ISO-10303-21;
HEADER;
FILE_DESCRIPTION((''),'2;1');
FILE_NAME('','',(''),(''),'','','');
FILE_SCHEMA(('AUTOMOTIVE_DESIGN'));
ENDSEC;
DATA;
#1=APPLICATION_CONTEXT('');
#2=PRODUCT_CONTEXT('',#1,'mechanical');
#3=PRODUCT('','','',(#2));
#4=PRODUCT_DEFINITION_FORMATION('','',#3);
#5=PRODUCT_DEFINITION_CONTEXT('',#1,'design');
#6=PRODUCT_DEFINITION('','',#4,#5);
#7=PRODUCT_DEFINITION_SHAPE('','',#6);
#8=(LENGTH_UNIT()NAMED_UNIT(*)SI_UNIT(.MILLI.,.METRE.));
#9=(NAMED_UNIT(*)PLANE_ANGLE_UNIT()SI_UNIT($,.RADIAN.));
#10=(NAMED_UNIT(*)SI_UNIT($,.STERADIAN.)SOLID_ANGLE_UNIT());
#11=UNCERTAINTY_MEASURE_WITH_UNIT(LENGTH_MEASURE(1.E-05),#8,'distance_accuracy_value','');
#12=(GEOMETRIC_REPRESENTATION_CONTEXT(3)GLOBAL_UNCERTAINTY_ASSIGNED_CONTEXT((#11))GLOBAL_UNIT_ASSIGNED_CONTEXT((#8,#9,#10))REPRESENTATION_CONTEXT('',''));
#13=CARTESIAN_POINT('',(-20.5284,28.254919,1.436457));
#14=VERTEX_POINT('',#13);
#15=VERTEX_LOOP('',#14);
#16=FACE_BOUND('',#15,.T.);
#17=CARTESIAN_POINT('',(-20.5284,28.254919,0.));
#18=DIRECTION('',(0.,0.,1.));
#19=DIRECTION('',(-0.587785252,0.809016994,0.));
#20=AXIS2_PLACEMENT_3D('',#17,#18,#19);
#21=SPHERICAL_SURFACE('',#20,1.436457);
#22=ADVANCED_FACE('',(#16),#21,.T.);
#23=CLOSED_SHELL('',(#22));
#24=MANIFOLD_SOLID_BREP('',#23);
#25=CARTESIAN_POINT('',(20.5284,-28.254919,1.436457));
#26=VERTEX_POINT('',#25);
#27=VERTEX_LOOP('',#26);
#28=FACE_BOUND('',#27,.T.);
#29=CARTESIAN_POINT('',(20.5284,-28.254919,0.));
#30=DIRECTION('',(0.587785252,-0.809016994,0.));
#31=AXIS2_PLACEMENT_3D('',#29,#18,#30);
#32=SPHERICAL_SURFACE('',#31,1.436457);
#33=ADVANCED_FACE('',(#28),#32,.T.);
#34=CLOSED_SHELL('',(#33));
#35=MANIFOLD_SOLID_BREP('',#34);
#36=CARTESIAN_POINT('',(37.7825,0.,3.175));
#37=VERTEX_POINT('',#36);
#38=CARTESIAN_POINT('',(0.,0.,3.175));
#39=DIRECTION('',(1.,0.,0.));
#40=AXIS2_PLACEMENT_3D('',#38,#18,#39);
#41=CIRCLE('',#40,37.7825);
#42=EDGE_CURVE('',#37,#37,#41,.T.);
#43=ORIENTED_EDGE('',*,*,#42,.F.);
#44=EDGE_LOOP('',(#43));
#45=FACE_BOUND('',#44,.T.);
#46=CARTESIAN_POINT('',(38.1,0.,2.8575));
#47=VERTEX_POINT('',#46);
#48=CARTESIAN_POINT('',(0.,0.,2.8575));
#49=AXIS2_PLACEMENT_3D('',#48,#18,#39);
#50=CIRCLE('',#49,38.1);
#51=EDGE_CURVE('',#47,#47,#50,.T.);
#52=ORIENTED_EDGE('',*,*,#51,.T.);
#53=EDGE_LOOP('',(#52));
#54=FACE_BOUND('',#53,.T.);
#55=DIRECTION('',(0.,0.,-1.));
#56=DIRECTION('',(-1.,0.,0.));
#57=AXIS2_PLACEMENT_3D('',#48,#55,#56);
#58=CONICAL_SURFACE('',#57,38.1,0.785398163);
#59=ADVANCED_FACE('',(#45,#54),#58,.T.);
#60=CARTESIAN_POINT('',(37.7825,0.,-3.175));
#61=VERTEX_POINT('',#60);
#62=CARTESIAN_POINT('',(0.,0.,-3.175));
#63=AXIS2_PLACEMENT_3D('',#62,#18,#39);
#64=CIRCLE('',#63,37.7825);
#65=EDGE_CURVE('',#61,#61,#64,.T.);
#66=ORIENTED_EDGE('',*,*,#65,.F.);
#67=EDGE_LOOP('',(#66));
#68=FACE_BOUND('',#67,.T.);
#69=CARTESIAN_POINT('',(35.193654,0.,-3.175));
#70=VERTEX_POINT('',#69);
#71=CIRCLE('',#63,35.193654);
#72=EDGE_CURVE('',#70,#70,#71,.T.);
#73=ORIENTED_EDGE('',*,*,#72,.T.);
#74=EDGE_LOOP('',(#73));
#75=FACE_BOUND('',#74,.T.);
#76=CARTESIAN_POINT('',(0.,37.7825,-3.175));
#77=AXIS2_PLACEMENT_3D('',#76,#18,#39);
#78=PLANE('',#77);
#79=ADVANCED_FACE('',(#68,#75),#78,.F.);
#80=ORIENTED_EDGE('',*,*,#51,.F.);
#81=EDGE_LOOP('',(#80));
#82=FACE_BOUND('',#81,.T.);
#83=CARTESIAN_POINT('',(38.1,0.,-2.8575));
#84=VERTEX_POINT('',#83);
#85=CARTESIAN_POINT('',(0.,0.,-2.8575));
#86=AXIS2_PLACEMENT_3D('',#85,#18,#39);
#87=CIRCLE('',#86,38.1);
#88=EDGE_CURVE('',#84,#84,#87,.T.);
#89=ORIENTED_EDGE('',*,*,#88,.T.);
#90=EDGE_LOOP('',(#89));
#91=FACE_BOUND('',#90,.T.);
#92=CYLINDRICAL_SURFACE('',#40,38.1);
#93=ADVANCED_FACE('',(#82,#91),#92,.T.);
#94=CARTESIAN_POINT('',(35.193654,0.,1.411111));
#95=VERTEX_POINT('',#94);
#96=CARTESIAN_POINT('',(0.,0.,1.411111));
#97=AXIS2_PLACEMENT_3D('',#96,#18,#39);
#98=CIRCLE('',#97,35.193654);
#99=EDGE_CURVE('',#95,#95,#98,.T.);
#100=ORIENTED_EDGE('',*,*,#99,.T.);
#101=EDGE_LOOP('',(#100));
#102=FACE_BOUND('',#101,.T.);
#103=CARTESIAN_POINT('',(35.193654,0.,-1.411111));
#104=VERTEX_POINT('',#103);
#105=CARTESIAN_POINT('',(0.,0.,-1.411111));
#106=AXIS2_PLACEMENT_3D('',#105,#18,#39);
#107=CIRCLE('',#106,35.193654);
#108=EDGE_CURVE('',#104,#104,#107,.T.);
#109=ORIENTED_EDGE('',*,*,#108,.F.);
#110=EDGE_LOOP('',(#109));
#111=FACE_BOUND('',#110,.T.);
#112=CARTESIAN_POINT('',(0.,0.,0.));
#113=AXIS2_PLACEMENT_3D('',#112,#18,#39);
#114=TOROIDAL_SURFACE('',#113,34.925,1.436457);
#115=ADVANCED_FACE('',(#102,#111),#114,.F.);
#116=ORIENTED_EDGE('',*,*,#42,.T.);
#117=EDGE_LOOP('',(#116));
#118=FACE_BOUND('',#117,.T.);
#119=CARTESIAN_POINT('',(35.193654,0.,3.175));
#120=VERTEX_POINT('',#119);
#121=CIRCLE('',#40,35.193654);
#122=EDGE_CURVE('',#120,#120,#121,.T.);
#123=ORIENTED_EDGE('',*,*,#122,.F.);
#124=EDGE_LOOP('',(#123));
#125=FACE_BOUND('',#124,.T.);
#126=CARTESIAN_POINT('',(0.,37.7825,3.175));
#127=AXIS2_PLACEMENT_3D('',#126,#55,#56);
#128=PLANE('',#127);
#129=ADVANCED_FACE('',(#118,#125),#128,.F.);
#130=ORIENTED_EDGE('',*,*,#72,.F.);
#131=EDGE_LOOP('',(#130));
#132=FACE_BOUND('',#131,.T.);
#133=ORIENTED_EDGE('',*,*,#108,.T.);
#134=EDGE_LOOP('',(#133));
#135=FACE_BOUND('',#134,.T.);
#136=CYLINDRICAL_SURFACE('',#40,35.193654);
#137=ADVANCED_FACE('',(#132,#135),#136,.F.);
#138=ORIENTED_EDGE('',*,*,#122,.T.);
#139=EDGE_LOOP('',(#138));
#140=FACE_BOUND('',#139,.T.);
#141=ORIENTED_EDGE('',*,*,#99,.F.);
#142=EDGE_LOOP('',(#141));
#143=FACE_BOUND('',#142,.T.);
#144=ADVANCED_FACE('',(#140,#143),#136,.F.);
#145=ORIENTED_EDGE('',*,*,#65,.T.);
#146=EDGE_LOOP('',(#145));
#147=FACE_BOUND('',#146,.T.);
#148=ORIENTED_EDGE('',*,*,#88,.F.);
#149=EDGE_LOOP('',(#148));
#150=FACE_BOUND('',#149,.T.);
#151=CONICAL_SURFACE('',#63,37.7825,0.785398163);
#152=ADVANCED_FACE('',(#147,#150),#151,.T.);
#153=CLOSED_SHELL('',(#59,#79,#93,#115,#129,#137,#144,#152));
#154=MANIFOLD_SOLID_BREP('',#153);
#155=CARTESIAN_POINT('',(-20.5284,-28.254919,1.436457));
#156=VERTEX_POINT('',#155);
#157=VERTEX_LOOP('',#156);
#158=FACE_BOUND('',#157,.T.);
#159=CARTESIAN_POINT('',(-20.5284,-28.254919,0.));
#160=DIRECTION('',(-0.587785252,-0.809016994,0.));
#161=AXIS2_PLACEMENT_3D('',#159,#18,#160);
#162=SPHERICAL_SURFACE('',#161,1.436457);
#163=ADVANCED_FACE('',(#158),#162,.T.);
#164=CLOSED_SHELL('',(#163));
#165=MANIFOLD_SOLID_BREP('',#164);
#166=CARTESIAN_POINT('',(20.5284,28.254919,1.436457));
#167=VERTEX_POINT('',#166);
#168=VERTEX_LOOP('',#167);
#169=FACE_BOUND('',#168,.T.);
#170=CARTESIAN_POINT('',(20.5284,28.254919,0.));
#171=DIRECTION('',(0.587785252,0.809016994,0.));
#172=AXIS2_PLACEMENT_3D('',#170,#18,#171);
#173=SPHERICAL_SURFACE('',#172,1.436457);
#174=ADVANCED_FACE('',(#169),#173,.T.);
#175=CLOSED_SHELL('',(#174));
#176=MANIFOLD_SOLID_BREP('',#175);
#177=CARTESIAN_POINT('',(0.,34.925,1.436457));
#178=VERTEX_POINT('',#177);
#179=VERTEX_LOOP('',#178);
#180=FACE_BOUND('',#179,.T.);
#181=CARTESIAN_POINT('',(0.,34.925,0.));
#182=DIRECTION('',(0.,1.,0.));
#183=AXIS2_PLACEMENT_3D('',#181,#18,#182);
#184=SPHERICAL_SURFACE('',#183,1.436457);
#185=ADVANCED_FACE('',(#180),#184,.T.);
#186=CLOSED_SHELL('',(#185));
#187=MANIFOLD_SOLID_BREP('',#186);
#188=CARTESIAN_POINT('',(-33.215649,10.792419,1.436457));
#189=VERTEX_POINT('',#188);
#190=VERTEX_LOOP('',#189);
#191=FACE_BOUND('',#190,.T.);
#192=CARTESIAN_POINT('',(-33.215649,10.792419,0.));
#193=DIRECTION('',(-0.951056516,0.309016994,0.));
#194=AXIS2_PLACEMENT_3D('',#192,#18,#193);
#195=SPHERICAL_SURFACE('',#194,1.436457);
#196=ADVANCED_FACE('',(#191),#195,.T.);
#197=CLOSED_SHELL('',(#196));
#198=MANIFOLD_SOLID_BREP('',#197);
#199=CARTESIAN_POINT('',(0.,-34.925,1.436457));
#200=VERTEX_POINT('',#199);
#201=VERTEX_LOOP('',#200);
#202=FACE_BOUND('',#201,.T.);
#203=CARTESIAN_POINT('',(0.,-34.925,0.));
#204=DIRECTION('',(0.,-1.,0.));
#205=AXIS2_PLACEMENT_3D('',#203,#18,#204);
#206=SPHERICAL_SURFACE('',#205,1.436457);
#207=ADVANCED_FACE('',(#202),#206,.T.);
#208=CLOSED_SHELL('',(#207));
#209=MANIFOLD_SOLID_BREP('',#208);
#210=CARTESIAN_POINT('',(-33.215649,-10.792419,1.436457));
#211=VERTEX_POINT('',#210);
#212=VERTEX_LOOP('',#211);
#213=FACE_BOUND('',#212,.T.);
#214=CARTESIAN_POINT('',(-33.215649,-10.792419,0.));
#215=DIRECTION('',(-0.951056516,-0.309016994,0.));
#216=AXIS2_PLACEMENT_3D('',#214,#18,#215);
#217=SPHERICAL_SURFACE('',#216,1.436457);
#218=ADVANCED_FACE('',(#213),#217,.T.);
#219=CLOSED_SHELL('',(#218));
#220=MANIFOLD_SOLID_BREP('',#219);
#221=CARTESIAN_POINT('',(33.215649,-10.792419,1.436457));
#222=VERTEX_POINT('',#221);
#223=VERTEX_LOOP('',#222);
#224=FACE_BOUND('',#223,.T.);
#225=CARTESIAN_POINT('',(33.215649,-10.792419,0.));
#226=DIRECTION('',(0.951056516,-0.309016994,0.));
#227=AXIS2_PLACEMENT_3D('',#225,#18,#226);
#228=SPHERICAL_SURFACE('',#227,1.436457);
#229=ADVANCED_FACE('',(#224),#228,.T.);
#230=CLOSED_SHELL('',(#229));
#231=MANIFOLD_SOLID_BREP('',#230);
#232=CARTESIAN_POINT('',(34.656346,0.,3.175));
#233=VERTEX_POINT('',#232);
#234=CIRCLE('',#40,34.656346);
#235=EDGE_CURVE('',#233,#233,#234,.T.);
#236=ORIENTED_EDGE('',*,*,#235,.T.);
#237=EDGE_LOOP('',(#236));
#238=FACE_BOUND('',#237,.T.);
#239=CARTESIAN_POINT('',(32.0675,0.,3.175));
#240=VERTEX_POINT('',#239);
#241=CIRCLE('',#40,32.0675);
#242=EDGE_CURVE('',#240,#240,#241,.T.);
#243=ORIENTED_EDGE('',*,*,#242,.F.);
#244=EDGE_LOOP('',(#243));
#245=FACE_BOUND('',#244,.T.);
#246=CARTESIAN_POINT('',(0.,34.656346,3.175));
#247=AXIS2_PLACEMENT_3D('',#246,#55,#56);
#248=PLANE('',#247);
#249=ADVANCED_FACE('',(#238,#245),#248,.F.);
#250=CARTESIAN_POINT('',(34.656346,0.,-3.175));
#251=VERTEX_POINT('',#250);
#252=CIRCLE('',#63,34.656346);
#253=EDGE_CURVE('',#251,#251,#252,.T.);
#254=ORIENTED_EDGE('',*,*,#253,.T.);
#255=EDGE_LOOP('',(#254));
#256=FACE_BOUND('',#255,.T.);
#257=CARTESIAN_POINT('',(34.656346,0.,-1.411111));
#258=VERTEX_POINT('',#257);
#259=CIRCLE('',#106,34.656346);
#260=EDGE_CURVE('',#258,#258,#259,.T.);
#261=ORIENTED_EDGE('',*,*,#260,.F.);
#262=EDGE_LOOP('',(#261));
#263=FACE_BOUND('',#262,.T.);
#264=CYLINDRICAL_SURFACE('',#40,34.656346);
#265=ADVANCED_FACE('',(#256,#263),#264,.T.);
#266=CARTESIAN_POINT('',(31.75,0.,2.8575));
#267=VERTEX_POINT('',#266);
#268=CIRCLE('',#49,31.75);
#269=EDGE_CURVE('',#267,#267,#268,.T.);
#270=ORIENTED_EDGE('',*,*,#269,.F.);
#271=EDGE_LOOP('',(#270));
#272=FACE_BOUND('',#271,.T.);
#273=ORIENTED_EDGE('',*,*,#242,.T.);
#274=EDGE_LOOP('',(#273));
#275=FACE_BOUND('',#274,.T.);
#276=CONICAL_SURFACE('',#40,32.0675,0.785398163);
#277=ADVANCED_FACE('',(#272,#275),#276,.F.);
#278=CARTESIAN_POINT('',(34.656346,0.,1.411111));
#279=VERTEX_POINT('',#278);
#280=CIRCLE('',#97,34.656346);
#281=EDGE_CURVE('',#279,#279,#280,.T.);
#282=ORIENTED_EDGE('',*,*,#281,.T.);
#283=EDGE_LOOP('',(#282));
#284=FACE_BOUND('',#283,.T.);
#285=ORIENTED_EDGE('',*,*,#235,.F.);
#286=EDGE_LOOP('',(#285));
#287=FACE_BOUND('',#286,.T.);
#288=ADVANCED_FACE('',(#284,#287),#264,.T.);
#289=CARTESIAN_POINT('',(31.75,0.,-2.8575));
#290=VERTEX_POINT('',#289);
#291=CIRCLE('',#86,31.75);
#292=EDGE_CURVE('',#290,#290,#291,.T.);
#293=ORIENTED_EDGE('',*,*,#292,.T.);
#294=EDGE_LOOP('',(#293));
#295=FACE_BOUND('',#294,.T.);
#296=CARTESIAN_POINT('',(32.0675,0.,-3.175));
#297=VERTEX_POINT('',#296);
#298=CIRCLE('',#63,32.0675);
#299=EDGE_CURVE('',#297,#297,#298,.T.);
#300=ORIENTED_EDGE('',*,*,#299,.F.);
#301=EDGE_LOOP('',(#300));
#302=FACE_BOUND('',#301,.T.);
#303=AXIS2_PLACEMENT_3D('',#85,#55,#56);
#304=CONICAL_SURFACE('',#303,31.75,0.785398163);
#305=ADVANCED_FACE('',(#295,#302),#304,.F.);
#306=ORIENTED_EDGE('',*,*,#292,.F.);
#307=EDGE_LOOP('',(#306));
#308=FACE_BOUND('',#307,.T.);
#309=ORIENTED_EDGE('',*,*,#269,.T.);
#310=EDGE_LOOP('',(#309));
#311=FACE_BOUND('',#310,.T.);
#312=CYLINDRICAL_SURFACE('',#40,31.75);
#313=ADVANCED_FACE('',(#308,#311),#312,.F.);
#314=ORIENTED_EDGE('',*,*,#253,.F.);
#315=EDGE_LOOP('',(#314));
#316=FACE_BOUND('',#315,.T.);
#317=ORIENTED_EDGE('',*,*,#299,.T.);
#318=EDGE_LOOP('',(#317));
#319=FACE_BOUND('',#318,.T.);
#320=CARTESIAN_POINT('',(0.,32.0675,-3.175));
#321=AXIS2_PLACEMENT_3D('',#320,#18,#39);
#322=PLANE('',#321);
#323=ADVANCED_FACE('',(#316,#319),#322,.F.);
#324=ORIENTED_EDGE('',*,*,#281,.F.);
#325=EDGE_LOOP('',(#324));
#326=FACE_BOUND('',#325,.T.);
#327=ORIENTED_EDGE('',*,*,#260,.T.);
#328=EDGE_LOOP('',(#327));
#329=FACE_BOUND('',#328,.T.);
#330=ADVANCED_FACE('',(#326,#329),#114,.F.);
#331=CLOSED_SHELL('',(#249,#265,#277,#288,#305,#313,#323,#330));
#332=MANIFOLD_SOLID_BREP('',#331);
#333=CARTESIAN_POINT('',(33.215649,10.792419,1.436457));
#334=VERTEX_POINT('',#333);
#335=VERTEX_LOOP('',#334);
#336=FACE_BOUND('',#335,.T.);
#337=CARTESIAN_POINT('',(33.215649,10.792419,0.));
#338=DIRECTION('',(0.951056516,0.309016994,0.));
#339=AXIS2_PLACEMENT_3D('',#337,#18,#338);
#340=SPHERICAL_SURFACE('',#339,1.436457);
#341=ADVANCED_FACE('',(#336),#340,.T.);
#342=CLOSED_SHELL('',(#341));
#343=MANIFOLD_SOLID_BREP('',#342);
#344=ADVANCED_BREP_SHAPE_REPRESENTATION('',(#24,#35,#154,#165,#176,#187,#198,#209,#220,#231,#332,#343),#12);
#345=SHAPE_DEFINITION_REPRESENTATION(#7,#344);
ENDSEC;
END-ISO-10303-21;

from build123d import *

# Parameters (mm, degrees)
CIRPATTERN1_COUNT = 10


with BuildPart() as part:
    # Sketch1 → Revolve1 (revolve)
    with BuildSketch(Plane(origin=(0, 0, 0), x_dir=(0, 0, -1), z_dir=(1, 0, 0))):
        with BuildLine():
            Line((2.8575, 38.1), (-2.8575, 38.1))
            Line((-2.8575, 38.1), (-3.175, 37.7825))
            Line((-3.175, 37.7825), (-3.175, 35.193653846))
            Line((-3.175, 35.193653846), (-1.411111111, 35.193653846))
            ThreePointArc((-1.411111111, 35.193653846), (0, 36.361457259), (1.411111111, 35.193653846))
            Line((1.411111111, 35.193653846), (3.175, 35.193653846))
            Line((3.175, 35.193653846), (3.175, 37.7825))
            Line((3.175, 37.7825), (2.8575, 38.1))
        make_face()
    revolve(axis=Axis((0, 0, 3.175), (0, 0, -1)))


with BuildPart() as body_2:
    # Sketch3 → Revolve3 (revolve)
    with BuildSketch(Plane(origin=(0, 0, 0), x_dir=(0, 0, -1), z_dir=(1, 0, 0))):
        with BuildLine():
            Line((-3.175, 34.656346154), (-1.411111111, 34.656346154))
            ThreePointArc((-1.411111111, 34.656346154), (0, 33.488542741), (1.411111111, 34.656346154))
            Line((1.411111111, 34.656346154), (3.175, 34.656346154))
            Line((3.175, 34.656346154), (3.175, 32.0675))
            Line((3.175, 32.0675), (2.8575, 31.75))
            Line((2.8575, 31.75), (-2.8575, 31.75))
            Line((-2.8575, 31.75), (-3.175, 32.0675))
            Line((-3.175, 32.0675), (-3.175, 34.656346154))
        make_face()
    revolve(axis=Axis((0, 0, 3.175), (0, 0, -1)))


with BuildPart() as body_3:
    # Sketch4 → Revolve4 (revolve)
    with BuildSketch(Plane(origin=(0, 0, 0), x_dir=(0, 0, -1), z_dir=(1, 0, 0))):
        with BuildLine():
            Line((-1.436457259, 34.925), (1.436457259, 34.925))
            ThreePointArc((1.436457259, 34.925), (0, 36.361457259), (-1.436457259, 34.925))
        make_face()
    revolve(axis=Axis((0, 34.925, 1.436457259), (0, 0, -1)))


with BuildPart() as cirpattern1_1:
    # CirPattern1: pattern copy
    add(body_3.part.rotate(Axis((0, 0, -3.175), (0, 0, 1)), 1 * 360 / CIRPATTERN1_COUNT))


with BuildPart() as cirpattern1_2:
    # CirPattern1: pattern copy
    add(body_3.part.rotate(Axis((0, 0, -3.175), (0, 0, 1)), 2 * 360 / CIRPATTERN1_COUNT))


with BuildPart() as cirpattern1_3:
    # CirPattern1: pattern copy
    add(body_3.part.rotate(Axis((0, 0, -3.175), (0, 0, 1)), 3 * 360 / CIRPATTERN1_COUNT))


with BuildPart() as cirpattern1_4:
    # CirPattern1: pattern copy
    add(body_3.part.rotate(Axis((0, 0, -3.175), (0, 0, 1)), 4 * 360 / CIRPATTERN1_COUNT))


with BuildPart() as cirpattern1_5:
    # CirPattern1: pattern copy
    add(body_3.part.rotate(Axis((0, 0, -3.175), (0, 0, 1)), 5 * 360 / CIRPATTERN1_COUNT))


with BuildPart() as cirpattern1_6:
    # CirPattern1: pattern copy
    add(body_3.part.rotate(Axis((0, 0, -3.175), (0, 0, 1)), 6 * 360 / CIRPATTERN1_COUNT))


with BuildPart() as cirpattern1_7:
    # CirPattern1: pattern copy
    add(body_3.part.rotate(Axis((0, 0, -3.175), (0, 0, 1)), 7 * 360 / CIRPATTERN1_COUNT))


with BuildPart() as cirpattern1_8:
    # CirPattern1: pattern copy
    add(body_3.part.rotate(Axis((0, 0, -3.175), (0, 0, 1)), 8 * 360 / CIRPATTERN1_COUNT))


with BuildPart() as cirpattern1_9:
    # CirPattern1: pattern copy
    add(body_3.part.rotate(Axis((0, 0, -3.175), (0, 0, 1)), 9 * 360 / CIRPATTERN1_COUNT))


solid = Compound([part.part, body_2.part, body_3.part, cirpattern1_1.part, cirpattern1_2.part, cirpattern1_3.part, cirpattern1_4.part, cirpattern1_5.part, cirpattern1_6.part, cirpattern1_7.part, cirpattern1_8.part, cirpattern1_9.part])
